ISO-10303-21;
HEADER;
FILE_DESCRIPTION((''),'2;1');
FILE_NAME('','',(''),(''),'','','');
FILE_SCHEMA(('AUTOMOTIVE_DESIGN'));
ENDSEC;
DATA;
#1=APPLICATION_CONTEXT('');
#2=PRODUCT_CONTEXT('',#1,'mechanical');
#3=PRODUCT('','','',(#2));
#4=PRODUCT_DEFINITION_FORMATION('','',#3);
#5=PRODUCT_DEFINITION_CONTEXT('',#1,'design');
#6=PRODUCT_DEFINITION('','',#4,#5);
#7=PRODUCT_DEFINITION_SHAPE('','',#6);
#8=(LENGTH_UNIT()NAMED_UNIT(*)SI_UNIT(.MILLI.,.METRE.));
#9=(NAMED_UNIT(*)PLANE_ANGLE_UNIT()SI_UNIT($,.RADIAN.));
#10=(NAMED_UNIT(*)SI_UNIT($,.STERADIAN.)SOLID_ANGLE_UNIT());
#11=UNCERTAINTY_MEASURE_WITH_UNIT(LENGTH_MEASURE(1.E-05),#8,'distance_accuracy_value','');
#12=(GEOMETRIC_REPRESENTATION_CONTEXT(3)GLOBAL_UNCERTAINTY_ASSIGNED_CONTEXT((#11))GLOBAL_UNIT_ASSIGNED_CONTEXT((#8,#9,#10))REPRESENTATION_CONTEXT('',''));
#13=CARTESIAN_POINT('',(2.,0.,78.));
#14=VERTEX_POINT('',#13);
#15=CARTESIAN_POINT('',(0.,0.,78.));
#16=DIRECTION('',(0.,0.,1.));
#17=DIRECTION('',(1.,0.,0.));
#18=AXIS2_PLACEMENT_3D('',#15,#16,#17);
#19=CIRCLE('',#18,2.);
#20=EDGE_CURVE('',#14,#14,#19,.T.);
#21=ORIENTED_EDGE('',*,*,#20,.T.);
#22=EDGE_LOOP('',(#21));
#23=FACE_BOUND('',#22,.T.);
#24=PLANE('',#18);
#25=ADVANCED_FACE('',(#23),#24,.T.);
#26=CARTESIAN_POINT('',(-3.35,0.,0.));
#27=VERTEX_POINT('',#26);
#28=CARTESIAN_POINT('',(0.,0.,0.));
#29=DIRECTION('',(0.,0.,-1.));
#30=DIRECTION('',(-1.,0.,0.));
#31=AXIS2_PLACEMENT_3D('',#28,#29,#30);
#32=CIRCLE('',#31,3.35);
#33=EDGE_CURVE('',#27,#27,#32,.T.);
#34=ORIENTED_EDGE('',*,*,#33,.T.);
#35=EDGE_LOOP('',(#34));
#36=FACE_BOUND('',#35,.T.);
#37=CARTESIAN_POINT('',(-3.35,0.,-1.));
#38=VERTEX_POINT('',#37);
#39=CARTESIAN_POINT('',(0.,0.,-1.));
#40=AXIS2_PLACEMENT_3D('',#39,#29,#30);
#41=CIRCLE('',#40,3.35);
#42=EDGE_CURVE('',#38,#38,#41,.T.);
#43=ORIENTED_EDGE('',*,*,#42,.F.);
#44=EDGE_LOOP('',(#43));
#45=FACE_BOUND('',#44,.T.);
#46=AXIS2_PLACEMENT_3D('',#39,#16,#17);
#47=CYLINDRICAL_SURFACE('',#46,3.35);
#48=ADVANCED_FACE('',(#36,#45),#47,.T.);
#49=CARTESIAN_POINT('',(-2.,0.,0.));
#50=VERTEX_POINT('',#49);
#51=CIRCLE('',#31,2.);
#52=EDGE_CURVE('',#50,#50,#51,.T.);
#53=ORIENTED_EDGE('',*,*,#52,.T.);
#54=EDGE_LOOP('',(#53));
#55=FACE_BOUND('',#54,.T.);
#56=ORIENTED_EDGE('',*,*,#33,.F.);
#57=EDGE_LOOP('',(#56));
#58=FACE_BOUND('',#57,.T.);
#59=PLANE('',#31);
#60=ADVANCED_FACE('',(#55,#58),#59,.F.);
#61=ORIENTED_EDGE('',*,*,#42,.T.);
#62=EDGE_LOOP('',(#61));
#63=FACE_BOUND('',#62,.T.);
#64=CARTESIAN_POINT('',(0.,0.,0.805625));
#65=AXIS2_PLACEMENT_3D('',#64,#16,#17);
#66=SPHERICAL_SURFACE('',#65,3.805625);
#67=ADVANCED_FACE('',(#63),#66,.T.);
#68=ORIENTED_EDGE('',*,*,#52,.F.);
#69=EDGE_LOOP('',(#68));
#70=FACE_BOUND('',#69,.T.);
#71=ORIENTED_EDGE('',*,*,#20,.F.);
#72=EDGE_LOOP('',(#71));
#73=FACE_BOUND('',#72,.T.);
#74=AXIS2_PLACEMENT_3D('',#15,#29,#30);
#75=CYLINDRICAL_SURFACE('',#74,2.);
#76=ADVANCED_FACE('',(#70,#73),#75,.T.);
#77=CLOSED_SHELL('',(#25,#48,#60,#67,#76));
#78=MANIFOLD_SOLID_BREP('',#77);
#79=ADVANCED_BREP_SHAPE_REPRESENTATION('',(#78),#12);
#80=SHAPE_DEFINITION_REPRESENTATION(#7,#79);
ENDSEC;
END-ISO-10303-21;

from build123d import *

# Parameters (mm, degrees)
SKETCH1_R         = 2
EXTRUDE1_DEPTH    = 78
SKETCH2_R         = 3.35
EXTRUDE2_DEPTH    = 1
DOME1_FACE_RADIUS = 3.35
DOME1_HEIGHT      = 2


with BuildPart() as part:
    # Sketch1 → Extrude1 (new body)
    with BuildSketch(Plane.XY):
        Circle(SKETCH1_R)
    extrude(amount=EXTRUDE1_DEPTH)

    # Sketch2 → Extrude2 (add)
    with BuildSketch(Plane(origin=(0, 0, 0), x_dir=(-1, 0, 0), z_dir=(0, 0, -1))):
        Circle(SKETCH2_R)
    extrude(amount=EXTRUDE2_DEPTH)

    # Dome1: a dome of height H over a round flat face of radius A is a cap of a sphere of radius (A * A + H * H) / (2 * H)
    dome1_r = (DOME1_FACE_RADIUS * DOME1_FACE_RADIUS + DOME1_HEIGHT * DOME1_HEIGHT) / (2 * DOME1_HEIGHT)
    dome1_base = Plane((0, 0, -1), z_dir=(0, 0, -1))
    with Locations(dome1_base.offset(DOME1_HEIGHT - dome1_r)):
        dome1_ball = Sphere(dome1_r, mode=Mode.PRIVATE)
    add(split(dome1_ball, bisect_by=dome1_base, keep=Keep.TOP, mode=Mode.PRIVATE))


solid = part.part
